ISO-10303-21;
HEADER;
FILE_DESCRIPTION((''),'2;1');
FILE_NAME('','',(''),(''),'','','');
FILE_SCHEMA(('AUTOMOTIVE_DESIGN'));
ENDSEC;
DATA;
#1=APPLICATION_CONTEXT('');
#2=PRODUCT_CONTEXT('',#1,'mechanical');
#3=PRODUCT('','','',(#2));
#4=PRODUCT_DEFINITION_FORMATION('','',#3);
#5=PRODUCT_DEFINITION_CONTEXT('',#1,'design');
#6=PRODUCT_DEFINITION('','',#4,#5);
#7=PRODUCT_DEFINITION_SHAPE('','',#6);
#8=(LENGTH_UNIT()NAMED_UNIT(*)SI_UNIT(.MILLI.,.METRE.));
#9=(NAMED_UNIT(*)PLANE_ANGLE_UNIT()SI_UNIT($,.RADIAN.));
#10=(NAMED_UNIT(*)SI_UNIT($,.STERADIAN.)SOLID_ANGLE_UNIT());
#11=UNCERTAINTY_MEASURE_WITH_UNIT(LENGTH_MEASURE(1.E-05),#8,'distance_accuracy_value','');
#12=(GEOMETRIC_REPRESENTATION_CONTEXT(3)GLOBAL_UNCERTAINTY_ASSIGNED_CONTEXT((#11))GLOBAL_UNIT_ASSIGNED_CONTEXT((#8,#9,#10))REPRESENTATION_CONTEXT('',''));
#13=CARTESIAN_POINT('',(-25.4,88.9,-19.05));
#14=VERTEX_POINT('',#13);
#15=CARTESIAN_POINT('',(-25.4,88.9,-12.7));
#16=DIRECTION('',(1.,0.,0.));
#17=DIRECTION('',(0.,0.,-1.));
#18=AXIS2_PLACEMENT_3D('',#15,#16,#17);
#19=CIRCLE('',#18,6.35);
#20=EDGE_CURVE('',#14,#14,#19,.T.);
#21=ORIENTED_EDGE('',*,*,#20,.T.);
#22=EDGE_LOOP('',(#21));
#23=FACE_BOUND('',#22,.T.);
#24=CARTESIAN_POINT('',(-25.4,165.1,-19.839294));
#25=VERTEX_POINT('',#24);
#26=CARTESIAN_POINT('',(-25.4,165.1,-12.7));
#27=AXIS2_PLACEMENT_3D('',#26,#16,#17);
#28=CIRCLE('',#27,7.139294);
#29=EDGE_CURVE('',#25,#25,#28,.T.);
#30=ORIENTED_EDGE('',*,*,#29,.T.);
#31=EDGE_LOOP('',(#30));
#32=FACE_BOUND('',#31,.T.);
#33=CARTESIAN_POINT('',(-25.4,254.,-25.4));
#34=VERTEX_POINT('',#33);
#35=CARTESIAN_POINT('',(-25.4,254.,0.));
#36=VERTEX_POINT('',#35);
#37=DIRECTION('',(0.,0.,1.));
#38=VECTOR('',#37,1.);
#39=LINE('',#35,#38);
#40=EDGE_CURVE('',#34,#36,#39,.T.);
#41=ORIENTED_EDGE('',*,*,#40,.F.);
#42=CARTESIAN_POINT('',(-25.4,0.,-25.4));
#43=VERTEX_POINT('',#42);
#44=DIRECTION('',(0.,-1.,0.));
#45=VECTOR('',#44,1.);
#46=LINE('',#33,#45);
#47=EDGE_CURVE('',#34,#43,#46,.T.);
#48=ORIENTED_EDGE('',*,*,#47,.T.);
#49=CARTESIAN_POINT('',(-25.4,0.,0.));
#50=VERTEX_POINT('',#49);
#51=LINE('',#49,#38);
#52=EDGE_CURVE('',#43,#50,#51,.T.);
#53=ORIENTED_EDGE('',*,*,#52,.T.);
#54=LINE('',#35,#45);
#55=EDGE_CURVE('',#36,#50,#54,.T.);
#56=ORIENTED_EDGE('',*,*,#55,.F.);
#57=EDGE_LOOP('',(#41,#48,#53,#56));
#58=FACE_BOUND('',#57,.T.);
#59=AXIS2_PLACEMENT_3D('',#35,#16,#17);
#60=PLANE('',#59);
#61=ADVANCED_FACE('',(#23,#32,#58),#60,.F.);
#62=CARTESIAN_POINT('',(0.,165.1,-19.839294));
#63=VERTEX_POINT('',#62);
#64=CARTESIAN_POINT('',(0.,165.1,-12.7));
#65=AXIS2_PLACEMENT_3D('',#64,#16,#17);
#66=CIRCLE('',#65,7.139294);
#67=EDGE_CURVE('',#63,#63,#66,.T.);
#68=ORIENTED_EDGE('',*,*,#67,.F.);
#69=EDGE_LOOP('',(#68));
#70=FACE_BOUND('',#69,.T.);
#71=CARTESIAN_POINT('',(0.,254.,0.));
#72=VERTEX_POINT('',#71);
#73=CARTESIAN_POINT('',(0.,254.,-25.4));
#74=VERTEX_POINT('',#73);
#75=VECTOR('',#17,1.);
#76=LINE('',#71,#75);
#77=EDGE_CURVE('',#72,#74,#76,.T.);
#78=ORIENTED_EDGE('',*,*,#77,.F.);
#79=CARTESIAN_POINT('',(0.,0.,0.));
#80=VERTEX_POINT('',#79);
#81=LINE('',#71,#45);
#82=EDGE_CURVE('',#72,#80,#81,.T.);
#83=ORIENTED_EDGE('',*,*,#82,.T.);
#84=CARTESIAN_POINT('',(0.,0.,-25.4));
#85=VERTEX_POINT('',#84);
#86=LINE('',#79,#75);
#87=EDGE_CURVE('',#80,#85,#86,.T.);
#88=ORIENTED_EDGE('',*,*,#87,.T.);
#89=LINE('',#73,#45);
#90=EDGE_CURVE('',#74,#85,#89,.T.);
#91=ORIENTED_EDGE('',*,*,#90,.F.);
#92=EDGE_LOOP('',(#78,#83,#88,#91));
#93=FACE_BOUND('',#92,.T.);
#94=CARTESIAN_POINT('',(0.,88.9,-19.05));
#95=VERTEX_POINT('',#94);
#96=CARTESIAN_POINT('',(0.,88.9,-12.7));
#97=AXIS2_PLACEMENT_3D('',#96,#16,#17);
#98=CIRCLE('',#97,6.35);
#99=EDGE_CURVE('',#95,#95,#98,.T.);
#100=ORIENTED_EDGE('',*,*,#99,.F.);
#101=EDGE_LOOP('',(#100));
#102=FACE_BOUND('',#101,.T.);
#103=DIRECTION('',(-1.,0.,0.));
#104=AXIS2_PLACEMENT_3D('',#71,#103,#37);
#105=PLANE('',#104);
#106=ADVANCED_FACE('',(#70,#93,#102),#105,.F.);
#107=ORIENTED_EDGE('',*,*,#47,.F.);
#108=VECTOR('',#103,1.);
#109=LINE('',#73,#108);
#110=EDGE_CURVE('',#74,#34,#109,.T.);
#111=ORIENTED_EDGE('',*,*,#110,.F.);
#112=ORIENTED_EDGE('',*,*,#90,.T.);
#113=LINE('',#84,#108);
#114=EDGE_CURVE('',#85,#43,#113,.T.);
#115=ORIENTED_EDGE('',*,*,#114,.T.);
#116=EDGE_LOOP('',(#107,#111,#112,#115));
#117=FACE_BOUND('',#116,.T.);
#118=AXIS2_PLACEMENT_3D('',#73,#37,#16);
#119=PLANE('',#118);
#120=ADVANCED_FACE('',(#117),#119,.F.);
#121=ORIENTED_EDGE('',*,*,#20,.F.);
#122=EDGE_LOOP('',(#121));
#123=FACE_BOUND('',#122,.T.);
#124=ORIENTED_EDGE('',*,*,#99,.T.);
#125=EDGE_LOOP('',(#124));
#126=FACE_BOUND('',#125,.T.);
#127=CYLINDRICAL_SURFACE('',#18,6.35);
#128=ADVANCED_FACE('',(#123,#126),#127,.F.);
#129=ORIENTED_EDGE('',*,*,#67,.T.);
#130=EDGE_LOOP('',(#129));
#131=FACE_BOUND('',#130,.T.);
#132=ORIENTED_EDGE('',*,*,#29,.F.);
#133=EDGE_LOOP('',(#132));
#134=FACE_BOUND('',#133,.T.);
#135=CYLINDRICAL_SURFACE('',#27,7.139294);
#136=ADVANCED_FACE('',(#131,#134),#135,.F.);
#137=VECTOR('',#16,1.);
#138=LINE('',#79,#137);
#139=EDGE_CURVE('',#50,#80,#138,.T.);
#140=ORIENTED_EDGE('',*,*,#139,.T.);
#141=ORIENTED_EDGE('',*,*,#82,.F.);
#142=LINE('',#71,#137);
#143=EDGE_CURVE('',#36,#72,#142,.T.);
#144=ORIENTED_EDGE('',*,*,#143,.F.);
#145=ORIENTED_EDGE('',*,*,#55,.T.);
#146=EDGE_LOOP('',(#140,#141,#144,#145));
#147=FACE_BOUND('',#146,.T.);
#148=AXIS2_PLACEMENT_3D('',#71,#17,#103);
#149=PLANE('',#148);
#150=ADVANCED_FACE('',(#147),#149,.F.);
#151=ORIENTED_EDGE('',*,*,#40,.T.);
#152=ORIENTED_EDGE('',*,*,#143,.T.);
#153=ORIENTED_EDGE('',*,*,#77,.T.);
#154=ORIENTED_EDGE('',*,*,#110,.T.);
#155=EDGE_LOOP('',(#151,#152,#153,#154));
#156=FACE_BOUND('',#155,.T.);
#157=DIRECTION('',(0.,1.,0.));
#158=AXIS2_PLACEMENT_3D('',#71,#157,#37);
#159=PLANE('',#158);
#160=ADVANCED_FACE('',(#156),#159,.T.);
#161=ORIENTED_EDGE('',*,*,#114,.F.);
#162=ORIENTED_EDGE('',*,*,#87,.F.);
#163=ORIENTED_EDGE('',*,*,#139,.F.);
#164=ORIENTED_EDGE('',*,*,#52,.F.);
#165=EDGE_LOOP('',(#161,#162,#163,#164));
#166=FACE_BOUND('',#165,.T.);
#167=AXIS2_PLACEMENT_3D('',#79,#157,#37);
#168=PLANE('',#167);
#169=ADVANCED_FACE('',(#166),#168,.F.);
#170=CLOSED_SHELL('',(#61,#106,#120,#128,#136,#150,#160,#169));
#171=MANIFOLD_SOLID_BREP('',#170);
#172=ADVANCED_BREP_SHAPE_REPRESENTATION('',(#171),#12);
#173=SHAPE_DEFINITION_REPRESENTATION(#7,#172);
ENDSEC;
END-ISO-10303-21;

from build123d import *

# Parameters (mm, degrees)
SKETCH1_W           = 25.4
SKETCH1_H           = 25.4
BOSS_EXTRUDE1_DEPTH = 254
SKETCH2_R           = 7.139293869
SKETCH2_R_2         = 6.35
CUT_EXTRUDE1_DEPTH  = 26.4


with BuildPart() as part:
    # Sketch1 → Boss-Extrude1 (new body)
    with BuildSketch(Plane(origin=(0, 0, 0), x_dir=(1, 0, 0), z_dir=(0, 1, 0))):
        with Locations((-12.7, 12.7)):
            Rectangle(SKETCH1_W, SKETCH1_H)
    extrude(amount=BOSS_EXTRUDE1_DEPTH)

    # Sketch2 → Cut-Extrude1 (cut, through all)
    with BuildSketch(Plane(origin=(0, 0, 0), x_dir=(0, 0, -1), z_dir=(1, 0, 0))):
        with Locations((12.7, 165.1)):
            Circle(SKETCH2_R)
        with Locations((12.7, 88.9)):
            Circle(SKETCH2_R_2)
    extrude(amount=-CUT_EXTRUDE1_DEPTH, mode=Mode.SUBTRACT)


solid = part.part
